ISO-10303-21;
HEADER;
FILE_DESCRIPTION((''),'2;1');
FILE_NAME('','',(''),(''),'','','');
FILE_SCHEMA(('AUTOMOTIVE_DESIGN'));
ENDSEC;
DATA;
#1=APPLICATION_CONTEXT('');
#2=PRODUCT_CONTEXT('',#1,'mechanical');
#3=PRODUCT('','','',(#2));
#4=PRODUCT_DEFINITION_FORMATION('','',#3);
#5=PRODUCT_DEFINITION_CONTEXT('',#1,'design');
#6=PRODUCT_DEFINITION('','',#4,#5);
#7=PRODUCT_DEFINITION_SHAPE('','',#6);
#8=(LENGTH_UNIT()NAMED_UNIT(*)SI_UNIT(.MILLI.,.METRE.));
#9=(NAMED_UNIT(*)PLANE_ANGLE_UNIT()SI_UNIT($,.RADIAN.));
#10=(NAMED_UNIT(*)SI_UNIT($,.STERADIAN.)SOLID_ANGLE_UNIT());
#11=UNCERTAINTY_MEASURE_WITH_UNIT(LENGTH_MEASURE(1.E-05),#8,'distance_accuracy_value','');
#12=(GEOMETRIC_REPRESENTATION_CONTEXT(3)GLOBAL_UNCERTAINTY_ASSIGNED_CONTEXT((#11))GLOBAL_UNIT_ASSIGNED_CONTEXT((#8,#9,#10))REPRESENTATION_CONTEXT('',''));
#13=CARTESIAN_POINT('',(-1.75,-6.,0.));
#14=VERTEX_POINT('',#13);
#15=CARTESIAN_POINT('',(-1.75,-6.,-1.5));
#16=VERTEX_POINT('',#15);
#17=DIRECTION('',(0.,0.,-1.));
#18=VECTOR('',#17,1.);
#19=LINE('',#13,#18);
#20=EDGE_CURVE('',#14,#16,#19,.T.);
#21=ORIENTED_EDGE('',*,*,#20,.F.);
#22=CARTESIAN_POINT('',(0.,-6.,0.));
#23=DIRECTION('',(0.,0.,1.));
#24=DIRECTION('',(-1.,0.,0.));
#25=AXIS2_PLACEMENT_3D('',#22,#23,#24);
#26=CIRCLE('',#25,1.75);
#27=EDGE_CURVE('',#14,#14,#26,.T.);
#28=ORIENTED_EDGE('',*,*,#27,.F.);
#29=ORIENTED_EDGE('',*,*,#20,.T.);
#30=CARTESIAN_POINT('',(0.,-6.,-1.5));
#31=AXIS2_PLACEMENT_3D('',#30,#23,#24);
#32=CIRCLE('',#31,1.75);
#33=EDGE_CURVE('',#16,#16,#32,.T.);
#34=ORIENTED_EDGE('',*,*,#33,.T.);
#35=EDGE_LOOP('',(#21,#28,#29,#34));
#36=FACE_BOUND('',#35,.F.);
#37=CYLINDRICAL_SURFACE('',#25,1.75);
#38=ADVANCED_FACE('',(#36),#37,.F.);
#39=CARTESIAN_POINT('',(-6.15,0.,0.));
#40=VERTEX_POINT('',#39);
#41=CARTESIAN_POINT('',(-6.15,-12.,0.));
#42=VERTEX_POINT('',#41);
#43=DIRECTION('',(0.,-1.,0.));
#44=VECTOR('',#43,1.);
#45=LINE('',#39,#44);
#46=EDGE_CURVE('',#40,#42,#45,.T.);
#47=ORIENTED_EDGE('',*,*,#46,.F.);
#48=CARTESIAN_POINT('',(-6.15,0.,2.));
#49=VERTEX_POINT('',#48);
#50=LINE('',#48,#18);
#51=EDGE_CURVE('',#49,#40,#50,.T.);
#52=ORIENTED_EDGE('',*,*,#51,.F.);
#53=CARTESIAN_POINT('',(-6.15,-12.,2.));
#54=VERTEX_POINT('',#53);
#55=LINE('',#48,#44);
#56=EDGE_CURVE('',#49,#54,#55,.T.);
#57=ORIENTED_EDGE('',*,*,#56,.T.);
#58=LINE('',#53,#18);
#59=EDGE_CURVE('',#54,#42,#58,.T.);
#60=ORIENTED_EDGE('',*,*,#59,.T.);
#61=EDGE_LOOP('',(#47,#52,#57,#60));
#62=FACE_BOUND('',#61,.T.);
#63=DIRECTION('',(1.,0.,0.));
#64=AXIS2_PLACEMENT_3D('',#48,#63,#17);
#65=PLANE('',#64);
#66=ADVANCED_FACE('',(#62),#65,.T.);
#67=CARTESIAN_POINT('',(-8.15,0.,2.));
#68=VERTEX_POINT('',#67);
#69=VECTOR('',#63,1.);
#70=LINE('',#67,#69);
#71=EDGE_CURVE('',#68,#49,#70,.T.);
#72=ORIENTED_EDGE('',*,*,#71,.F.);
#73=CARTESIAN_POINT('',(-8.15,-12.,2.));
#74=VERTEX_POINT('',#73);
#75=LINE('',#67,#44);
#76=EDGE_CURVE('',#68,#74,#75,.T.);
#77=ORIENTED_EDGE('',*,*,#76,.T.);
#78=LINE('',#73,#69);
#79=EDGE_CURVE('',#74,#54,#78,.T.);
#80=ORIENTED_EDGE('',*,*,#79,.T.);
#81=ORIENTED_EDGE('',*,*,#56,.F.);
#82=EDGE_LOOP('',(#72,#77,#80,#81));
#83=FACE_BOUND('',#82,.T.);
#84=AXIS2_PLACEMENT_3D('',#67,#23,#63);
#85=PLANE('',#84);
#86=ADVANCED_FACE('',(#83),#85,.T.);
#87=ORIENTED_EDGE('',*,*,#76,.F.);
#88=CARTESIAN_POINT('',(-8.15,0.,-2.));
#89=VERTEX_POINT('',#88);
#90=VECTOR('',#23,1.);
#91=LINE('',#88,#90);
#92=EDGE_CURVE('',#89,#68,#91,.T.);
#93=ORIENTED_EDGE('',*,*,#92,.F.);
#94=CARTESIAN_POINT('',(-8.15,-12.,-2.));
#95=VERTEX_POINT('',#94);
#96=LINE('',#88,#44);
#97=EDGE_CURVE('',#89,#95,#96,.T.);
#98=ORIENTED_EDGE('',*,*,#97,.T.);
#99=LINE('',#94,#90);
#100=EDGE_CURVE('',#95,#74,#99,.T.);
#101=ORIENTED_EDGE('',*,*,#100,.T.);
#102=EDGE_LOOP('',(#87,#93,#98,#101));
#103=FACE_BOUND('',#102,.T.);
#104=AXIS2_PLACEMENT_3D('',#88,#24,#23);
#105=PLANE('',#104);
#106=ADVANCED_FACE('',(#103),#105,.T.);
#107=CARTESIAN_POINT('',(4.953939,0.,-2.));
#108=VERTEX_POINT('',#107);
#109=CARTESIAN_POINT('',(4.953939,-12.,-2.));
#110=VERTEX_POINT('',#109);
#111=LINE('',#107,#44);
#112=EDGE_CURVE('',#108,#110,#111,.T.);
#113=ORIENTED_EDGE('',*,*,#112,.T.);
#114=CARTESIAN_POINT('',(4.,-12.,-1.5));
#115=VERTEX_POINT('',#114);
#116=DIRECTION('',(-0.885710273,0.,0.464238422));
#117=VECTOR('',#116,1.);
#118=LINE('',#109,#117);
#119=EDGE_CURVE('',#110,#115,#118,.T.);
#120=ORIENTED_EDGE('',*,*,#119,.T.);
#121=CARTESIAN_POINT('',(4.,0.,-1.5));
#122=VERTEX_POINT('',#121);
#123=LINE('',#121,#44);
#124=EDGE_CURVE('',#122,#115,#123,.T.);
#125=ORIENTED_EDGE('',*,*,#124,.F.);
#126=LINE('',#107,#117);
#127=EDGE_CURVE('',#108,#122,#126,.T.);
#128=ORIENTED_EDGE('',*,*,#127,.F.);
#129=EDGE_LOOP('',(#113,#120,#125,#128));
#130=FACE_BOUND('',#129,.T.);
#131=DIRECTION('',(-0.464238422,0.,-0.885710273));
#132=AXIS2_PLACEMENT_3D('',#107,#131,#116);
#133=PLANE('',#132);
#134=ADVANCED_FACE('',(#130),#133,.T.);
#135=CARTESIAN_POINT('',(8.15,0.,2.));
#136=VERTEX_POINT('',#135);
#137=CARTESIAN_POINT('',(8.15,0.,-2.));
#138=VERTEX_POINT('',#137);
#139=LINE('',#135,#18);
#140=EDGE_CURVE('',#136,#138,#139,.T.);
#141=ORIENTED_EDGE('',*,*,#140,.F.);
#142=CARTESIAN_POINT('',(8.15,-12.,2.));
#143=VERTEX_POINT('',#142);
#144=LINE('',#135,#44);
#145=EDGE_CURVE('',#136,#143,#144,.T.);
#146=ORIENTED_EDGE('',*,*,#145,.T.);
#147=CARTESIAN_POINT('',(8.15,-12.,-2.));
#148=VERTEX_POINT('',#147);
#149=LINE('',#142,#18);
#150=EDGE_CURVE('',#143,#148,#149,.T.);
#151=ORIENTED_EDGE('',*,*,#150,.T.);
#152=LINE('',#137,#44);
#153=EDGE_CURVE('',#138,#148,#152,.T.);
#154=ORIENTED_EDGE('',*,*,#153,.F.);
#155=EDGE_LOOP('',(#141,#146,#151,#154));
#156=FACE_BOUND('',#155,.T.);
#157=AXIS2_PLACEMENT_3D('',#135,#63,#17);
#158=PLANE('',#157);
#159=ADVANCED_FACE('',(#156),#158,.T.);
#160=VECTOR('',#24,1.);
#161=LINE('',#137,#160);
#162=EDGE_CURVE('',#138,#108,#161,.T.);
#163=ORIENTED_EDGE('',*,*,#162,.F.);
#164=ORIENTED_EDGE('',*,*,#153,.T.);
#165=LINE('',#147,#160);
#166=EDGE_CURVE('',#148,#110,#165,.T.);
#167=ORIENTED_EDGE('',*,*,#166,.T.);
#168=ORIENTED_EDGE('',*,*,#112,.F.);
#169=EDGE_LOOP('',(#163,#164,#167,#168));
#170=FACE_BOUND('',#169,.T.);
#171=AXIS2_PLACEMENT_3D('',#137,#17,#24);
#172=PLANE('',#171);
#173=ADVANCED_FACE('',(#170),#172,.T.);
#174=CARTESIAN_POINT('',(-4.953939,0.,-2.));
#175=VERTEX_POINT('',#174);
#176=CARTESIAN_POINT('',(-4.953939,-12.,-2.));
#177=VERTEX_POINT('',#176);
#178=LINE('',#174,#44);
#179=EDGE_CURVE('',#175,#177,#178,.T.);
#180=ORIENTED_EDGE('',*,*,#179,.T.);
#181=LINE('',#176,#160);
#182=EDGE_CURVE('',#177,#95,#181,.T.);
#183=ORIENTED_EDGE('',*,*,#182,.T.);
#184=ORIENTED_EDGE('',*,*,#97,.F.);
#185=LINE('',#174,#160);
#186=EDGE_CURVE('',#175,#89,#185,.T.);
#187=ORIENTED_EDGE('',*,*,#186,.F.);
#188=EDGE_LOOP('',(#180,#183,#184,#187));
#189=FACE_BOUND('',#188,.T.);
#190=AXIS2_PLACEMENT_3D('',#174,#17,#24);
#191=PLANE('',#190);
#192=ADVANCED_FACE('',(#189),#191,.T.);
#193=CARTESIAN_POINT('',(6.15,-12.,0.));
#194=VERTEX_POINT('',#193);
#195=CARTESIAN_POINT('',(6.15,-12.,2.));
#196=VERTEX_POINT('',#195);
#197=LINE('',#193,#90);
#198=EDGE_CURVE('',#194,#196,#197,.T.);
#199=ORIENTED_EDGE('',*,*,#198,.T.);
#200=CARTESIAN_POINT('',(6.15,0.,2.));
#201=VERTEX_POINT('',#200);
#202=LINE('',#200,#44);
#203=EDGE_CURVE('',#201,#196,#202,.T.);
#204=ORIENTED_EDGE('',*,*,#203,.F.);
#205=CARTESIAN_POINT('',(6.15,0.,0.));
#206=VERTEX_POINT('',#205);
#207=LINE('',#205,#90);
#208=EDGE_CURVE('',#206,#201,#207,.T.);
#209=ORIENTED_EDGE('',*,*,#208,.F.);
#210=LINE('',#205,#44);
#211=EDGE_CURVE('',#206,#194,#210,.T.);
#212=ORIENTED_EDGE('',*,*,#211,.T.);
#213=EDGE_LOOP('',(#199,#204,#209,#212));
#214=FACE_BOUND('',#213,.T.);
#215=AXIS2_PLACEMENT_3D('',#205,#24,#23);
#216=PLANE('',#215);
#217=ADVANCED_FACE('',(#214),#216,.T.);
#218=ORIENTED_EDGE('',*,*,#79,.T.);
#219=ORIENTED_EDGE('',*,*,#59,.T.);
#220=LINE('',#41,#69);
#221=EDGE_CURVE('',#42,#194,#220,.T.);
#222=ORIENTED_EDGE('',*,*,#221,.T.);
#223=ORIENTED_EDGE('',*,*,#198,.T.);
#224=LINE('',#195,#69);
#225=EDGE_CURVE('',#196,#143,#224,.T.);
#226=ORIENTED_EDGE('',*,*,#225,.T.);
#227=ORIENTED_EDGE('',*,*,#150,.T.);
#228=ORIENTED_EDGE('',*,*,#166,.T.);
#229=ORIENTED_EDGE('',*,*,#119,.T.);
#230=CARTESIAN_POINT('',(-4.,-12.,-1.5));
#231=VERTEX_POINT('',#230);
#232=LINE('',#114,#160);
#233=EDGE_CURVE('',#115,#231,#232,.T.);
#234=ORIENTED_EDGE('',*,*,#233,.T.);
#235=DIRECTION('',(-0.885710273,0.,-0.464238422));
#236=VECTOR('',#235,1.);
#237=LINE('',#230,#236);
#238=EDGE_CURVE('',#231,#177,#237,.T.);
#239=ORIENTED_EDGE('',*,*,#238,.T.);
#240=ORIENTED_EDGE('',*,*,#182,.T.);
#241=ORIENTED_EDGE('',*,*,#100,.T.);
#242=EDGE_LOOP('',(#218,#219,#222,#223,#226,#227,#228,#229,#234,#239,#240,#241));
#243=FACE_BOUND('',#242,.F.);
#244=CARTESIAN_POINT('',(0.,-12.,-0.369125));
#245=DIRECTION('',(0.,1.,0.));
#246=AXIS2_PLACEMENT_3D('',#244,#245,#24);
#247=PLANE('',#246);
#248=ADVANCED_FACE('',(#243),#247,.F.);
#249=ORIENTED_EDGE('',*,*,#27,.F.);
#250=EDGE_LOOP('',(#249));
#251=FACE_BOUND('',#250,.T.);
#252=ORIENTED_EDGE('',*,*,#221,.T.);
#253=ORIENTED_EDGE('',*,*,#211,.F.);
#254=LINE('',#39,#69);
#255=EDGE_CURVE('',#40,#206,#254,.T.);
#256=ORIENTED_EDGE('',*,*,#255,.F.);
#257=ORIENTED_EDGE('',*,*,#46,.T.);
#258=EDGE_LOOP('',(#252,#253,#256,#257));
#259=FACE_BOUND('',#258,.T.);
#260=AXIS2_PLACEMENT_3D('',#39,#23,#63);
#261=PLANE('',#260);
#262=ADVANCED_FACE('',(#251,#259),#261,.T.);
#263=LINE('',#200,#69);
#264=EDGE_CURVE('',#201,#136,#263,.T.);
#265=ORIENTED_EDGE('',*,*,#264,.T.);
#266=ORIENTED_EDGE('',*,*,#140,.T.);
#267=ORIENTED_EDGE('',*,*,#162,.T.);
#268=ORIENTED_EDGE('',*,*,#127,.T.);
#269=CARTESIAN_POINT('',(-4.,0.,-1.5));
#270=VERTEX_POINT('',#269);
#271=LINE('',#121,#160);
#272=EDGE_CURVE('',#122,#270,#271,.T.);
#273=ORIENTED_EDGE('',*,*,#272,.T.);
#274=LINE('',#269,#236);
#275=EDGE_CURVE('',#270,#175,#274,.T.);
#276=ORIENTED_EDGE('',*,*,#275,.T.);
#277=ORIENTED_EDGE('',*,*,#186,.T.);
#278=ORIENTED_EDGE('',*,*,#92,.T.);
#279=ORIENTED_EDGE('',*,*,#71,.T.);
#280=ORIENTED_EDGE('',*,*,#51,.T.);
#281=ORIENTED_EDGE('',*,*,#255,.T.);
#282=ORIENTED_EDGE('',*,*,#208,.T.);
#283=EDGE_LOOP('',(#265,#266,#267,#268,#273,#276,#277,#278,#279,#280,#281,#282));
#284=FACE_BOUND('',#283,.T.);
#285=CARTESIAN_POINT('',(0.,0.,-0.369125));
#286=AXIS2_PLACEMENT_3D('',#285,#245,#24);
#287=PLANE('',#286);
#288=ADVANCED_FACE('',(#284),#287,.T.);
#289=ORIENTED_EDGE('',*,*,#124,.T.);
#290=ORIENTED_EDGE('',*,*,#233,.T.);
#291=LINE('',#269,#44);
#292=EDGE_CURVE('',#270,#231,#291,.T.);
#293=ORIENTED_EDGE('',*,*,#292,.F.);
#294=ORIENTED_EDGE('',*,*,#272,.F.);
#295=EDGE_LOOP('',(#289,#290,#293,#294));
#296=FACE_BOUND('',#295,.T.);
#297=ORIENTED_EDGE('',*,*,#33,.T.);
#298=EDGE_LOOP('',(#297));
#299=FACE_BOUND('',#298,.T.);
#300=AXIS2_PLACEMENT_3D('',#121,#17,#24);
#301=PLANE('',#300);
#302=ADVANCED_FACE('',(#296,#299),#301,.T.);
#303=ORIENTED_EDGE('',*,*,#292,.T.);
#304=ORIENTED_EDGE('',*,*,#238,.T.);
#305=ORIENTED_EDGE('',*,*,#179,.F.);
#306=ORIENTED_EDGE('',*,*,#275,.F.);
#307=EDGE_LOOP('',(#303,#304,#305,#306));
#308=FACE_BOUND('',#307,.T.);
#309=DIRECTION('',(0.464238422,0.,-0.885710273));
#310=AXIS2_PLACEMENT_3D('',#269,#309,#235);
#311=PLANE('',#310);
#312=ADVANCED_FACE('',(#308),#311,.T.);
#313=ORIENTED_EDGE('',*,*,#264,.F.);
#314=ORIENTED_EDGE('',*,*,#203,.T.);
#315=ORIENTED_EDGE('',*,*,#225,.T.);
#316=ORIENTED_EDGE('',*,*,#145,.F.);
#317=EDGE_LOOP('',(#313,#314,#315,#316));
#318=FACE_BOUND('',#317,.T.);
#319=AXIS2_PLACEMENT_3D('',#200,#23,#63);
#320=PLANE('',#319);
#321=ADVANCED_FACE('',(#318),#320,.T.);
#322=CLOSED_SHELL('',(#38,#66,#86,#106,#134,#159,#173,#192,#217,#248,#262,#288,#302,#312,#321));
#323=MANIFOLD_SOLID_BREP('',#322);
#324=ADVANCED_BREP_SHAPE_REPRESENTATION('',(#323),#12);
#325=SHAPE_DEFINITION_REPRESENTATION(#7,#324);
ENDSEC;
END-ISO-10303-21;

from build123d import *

# Parameters (mm, degrees)
PAD_DEPTH    = 12
SKETCH001_R  = 1.75
POCKET_DEPTH = 5


with BuildPart() as part:
    # Sketch → Pad (new body)
    with BuildSketch(Plane.XZ):
        Polygon((-6.15, 0), (6.15, 0), (6.15, 2), (8.15, 2), (8.15, -2), (4.953939, -2), (4, -1.5), (-4, -1.5), (-4.953939, -2), (-8.15, -2), (-8.15, 2), (-6.15, 2), align=None)
    extrude(amount=PAD_DEPTH)

    # Sketch001 (on Face1 of Pad) → Pocket (cut)
    with BuildSketch(Plane(origin=(0, 0, 0), x_dir=(-1, 0, 0), z_dir=(0, 0, 1))):
        with Locations((0, 6)):
            Circle(SKETCH001_R)
    extrude(amount=-POCKET_DEPTH, mode=Mode.SUBTRACT)


solid = part.part
